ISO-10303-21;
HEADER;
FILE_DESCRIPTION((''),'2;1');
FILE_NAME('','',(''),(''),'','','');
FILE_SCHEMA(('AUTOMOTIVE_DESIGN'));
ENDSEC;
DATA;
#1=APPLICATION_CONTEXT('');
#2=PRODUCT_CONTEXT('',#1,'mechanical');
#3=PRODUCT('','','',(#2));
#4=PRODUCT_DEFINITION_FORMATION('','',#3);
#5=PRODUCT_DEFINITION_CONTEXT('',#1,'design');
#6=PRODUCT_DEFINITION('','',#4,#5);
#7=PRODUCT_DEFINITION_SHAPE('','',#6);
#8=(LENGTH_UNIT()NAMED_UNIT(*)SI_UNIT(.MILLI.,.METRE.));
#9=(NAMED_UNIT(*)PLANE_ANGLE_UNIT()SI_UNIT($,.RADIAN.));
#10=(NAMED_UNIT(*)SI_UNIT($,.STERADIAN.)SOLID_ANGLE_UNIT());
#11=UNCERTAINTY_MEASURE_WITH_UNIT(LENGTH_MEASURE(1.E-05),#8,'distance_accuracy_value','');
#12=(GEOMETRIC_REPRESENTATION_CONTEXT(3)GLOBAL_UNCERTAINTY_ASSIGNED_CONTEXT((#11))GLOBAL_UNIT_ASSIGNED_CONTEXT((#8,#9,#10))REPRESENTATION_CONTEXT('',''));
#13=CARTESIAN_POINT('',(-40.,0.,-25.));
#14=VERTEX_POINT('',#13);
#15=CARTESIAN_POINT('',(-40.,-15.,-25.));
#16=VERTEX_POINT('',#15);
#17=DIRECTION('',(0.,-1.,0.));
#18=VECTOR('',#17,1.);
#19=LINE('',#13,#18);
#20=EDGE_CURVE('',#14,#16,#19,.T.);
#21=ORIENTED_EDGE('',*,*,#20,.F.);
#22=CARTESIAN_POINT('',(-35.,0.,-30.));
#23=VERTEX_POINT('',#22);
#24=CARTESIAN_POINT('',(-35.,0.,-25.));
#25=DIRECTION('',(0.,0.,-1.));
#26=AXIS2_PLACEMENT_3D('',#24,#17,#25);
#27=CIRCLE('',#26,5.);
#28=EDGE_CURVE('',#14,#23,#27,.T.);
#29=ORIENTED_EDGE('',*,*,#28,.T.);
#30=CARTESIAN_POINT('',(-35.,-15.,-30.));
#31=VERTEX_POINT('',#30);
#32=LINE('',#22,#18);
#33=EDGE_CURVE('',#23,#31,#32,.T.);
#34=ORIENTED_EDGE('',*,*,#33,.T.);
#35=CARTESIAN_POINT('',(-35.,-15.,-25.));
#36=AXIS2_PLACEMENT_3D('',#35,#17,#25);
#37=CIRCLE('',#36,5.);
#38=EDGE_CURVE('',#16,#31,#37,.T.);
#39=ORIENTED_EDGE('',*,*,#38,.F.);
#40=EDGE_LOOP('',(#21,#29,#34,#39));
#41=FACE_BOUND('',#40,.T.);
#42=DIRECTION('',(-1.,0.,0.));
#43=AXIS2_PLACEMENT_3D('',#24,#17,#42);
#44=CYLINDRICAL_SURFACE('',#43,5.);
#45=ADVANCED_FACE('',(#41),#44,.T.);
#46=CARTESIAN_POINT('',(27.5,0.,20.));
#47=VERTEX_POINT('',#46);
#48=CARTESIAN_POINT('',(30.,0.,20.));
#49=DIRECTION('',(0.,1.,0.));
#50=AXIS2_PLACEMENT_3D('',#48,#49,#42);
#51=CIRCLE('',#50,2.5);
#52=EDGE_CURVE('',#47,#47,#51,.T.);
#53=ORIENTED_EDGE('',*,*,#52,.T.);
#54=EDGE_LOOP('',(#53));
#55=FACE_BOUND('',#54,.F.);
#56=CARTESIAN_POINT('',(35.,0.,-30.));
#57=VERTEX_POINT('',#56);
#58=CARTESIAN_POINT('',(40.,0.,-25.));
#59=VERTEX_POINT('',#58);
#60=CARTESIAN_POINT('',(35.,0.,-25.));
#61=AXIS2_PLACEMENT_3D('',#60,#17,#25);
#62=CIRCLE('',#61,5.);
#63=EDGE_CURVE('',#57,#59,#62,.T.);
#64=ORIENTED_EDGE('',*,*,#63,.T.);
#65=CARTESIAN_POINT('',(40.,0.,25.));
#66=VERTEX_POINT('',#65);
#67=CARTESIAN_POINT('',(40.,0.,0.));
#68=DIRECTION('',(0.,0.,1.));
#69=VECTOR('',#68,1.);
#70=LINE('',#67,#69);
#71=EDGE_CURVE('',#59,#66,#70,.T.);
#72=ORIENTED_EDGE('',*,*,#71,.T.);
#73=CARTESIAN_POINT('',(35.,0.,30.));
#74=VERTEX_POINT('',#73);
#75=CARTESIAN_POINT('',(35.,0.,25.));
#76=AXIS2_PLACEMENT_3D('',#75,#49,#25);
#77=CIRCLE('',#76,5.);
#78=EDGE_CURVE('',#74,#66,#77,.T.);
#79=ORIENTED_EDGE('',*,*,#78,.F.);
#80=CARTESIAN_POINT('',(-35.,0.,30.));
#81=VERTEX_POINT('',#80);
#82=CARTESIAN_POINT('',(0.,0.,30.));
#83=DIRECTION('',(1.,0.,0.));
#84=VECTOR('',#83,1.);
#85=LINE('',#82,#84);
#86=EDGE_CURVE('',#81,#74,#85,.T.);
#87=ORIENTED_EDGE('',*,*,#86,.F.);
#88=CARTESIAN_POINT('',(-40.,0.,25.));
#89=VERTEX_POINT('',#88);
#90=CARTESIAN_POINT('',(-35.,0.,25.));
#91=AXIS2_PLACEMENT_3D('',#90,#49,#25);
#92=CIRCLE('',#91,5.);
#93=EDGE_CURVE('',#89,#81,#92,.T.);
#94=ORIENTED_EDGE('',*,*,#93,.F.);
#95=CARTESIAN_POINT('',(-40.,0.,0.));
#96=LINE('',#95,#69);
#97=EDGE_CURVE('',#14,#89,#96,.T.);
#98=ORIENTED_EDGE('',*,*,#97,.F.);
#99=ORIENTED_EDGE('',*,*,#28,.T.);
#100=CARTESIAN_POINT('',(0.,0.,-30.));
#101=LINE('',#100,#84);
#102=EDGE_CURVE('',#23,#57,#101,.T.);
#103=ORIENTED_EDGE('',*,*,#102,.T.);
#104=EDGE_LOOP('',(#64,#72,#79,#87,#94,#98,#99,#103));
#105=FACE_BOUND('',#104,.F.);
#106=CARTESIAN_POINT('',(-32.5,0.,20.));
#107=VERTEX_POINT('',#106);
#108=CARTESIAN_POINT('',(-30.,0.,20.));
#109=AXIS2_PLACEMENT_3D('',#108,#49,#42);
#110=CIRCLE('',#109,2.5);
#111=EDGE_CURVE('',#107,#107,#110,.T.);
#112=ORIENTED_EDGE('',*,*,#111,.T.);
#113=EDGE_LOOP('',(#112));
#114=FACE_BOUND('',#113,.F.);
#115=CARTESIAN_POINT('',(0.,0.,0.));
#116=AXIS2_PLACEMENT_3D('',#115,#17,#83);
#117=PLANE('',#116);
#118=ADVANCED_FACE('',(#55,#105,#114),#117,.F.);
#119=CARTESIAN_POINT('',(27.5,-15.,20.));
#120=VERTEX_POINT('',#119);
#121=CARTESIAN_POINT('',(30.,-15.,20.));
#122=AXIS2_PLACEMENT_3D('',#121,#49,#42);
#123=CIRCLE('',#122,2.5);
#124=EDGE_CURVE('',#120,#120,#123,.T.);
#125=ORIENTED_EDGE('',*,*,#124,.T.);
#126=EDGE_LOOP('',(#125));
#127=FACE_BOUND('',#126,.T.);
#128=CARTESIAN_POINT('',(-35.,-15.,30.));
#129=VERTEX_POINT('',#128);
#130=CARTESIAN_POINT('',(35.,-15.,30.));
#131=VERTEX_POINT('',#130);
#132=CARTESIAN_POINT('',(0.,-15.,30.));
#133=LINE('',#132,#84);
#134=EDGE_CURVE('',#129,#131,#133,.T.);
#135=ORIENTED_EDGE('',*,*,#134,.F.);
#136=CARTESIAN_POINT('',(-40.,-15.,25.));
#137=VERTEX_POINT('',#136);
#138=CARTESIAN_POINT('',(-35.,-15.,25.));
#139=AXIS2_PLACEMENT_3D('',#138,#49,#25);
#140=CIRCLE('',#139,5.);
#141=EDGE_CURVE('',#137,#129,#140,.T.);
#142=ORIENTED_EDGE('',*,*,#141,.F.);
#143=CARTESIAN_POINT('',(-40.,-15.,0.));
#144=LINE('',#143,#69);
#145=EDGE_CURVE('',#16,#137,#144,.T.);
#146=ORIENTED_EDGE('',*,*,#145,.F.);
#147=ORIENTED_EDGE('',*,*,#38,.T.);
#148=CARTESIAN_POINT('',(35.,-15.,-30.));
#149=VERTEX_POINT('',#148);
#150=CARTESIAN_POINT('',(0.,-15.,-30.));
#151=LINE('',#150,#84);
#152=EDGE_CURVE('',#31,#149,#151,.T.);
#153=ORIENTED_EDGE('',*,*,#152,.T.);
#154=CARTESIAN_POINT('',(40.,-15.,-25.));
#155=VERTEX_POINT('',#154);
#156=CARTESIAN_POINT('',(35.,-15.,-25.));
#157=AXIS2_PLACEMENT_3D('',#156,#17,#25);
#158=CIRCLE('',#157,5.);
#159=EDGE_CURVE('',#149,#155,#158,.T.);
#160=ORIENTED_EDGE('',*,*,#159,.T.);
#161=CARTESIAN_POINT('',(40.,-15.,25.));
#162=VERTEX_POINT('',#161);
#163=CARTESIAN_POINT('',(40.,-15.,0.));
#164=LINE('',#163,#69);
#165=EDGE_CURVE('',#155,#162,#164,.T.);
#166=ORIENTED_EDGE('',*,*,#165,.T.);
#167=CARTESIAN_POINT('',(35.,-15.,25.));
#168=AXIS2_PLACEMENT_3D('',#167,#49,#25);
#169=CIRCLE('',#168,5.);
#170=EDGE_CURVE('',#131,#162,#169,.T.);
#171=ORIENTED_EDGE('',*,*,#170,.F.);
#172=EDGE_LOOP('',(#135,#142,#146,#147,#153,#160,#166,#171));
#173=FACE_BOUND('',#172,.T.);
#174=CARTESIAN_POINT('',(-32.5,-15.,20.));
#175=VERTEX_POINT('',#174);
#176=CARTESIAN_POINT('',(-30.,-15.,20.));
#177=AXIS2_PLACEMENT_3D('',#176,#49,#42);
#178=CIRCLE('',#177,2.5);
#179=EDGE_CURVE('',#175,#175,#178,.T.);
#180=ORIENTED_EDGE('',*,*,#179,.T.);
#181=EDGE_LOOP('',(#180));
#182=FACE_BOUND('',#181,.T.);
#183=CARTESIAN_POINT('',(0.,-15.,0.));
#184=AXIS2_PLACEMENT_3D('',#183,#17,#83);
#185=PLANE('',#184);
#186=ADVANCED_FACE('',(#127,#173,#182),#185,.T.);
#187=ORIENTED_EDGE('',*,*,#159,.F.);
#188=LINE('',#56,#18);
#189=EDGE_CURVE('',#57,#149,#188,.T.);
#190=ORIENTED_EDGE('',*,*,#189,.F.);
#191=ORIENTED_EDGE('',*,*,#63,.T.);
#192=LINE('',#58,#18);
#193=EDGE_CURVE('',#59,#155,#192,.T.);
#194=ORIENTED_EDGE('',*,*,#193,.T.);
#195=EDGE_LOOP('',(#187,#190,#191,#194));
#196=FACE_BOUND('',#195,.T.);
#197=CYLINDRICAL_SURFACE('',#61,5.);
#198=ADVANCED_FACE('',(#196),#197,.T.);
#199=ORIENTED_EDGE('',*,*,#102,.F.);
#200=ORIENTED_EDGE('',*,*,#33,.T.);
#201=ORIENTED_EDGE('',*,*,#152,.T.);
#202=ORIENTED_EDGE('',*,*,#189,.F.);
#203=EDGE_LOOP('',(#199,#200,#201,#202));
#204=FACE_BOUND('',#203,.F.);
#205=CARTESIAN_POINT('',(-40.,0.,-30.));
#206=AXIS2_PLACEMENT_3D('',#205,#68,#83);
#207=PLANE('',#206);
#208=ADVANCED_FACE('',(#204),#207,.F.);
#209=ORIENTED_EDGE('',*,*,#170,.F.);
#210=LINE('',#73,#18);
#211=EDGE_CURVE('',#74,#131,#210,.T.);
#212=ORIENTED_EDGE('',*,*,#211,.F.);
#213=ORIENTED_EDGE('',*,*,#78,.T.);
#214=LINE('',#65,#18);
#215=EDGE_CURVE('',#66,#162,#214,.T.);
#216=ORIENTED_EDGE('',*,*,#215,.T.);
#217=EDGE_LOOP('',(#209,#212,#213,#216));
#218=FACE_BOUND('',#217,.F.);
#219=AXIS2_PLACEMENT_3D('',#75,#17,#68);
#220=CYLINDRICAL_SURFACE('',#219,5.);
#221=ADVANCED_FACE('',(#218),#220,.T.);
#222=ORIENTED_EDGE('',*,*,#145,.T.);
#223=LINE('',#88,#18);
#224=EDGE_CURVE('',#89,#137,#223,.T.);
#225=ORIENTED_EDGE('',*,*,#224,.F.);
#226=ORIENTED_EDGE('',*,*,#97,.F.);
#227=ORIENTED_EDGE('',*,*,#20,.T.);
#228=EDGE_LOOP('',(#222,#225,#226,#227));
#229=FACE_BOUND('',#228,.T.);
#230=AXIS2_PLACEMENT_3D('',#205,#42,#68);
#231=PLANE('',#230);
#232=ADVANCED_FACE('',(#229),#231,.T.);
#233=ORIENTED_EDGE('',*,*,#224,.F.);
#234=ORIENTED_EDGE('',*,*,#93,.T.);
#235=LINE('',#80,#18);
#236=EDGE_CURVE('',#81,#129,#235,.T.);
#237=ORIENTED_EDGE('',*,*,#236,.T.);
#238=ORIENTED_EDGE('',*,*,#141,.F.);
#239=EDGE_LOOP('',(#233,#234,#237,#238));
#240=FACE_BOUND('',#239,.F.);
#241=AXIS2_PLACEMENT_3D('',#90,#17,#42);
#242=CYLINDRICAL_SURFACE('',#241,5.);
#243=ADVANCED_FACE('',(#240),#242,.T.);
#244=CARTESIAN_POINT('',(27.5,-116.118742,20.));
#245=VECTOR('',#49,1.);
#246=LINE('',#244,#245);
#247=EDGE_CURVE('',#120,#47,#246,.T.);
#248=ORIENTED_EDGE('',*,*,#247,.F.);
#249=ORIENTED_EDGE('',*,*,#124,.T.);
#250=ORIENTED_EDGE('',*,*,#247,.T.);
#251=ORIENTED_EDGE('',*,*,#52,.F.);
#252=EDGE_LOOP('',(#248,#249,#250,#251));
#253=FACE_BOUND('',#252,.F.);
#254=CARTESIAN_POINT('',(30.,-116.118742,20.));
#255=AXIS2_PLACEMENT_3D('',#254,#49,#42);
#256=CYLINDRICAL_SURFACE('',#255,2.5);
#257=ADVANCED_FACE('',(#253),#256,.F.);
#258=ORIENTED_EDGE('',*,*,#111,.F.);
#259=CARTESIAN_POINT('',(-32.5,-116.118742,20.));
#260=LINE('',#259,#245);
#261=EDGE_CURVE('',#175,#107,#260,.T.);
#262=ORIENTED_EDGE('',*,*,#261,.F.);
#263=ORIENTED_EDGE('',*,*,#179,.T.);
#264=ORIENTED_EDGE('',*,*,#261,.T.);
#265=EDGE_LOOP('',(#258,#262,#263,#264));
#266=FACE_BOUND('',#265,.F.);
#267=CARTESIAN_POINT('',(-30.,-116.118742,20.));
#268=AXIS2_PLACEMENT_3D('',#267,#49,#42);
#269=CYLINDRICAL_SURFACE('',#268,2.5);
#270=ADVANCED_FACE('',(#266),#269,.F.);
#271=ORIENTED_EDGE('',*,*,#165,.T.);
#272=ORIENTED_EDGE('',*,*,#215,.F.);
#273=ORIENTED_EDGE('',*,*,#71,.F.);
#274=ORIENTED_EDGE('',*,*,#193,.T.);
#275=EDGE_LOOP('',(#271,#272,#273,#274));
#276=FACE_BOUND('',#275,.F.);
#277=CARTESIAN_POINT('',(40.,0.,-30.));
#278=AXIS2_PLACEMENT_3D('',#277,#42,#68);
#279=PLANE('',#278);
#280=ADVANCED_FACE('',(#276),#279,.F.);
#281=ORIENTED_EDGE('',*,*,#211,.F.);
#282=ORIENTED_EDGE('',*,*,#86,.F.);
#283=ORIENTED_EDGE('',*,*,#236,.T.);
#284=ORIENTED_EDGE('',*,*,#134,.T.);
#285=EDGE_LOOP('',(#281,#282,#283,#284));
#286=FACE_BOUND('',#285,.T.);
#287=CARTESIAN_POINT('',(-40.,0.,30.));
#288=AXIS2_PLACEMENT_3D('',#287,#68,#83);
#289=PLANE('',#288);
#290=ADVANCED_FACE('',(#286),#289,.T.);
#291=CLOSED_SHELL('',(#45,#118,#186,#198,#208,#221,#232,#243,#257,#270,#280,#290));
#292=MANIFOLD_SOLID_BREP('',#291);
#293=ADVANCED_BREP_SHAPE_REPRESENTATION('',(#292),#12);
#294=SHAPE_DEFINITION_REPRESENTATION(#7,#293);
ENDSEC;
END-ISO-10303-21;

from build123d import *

# Parameters (mm, degrees)
F0_W     = 80
F0_H     = 60
F1_DEPTH = 15
F3_D     = 5
F4_R     = 5


with BuildPart() as f1:
    # F0 (on Front) → F1 (new body)
    with BuildSketch(Plane.XZ):
        Rectangle(F0_W, F0_H)
    extrude(amount=F1_DEPTH)

    # F3 (through all)
    with Locations(Plane.XZ.offset(15)):
        with Locations((-30, 20), (30, 20)):
            Hole(F3_D / 2)

    # F4
    f4_edges = [f1.edges().sort_by_distance(p)[0] for p in [
        (40, -7.5, 30),
        (-40, -7.5, 30),
        (-40, -7.5, -30),
        (40, -7.5, -30),
    ]]
    fillet(f4_edges, radius=F4_R)


solid = f1.part
